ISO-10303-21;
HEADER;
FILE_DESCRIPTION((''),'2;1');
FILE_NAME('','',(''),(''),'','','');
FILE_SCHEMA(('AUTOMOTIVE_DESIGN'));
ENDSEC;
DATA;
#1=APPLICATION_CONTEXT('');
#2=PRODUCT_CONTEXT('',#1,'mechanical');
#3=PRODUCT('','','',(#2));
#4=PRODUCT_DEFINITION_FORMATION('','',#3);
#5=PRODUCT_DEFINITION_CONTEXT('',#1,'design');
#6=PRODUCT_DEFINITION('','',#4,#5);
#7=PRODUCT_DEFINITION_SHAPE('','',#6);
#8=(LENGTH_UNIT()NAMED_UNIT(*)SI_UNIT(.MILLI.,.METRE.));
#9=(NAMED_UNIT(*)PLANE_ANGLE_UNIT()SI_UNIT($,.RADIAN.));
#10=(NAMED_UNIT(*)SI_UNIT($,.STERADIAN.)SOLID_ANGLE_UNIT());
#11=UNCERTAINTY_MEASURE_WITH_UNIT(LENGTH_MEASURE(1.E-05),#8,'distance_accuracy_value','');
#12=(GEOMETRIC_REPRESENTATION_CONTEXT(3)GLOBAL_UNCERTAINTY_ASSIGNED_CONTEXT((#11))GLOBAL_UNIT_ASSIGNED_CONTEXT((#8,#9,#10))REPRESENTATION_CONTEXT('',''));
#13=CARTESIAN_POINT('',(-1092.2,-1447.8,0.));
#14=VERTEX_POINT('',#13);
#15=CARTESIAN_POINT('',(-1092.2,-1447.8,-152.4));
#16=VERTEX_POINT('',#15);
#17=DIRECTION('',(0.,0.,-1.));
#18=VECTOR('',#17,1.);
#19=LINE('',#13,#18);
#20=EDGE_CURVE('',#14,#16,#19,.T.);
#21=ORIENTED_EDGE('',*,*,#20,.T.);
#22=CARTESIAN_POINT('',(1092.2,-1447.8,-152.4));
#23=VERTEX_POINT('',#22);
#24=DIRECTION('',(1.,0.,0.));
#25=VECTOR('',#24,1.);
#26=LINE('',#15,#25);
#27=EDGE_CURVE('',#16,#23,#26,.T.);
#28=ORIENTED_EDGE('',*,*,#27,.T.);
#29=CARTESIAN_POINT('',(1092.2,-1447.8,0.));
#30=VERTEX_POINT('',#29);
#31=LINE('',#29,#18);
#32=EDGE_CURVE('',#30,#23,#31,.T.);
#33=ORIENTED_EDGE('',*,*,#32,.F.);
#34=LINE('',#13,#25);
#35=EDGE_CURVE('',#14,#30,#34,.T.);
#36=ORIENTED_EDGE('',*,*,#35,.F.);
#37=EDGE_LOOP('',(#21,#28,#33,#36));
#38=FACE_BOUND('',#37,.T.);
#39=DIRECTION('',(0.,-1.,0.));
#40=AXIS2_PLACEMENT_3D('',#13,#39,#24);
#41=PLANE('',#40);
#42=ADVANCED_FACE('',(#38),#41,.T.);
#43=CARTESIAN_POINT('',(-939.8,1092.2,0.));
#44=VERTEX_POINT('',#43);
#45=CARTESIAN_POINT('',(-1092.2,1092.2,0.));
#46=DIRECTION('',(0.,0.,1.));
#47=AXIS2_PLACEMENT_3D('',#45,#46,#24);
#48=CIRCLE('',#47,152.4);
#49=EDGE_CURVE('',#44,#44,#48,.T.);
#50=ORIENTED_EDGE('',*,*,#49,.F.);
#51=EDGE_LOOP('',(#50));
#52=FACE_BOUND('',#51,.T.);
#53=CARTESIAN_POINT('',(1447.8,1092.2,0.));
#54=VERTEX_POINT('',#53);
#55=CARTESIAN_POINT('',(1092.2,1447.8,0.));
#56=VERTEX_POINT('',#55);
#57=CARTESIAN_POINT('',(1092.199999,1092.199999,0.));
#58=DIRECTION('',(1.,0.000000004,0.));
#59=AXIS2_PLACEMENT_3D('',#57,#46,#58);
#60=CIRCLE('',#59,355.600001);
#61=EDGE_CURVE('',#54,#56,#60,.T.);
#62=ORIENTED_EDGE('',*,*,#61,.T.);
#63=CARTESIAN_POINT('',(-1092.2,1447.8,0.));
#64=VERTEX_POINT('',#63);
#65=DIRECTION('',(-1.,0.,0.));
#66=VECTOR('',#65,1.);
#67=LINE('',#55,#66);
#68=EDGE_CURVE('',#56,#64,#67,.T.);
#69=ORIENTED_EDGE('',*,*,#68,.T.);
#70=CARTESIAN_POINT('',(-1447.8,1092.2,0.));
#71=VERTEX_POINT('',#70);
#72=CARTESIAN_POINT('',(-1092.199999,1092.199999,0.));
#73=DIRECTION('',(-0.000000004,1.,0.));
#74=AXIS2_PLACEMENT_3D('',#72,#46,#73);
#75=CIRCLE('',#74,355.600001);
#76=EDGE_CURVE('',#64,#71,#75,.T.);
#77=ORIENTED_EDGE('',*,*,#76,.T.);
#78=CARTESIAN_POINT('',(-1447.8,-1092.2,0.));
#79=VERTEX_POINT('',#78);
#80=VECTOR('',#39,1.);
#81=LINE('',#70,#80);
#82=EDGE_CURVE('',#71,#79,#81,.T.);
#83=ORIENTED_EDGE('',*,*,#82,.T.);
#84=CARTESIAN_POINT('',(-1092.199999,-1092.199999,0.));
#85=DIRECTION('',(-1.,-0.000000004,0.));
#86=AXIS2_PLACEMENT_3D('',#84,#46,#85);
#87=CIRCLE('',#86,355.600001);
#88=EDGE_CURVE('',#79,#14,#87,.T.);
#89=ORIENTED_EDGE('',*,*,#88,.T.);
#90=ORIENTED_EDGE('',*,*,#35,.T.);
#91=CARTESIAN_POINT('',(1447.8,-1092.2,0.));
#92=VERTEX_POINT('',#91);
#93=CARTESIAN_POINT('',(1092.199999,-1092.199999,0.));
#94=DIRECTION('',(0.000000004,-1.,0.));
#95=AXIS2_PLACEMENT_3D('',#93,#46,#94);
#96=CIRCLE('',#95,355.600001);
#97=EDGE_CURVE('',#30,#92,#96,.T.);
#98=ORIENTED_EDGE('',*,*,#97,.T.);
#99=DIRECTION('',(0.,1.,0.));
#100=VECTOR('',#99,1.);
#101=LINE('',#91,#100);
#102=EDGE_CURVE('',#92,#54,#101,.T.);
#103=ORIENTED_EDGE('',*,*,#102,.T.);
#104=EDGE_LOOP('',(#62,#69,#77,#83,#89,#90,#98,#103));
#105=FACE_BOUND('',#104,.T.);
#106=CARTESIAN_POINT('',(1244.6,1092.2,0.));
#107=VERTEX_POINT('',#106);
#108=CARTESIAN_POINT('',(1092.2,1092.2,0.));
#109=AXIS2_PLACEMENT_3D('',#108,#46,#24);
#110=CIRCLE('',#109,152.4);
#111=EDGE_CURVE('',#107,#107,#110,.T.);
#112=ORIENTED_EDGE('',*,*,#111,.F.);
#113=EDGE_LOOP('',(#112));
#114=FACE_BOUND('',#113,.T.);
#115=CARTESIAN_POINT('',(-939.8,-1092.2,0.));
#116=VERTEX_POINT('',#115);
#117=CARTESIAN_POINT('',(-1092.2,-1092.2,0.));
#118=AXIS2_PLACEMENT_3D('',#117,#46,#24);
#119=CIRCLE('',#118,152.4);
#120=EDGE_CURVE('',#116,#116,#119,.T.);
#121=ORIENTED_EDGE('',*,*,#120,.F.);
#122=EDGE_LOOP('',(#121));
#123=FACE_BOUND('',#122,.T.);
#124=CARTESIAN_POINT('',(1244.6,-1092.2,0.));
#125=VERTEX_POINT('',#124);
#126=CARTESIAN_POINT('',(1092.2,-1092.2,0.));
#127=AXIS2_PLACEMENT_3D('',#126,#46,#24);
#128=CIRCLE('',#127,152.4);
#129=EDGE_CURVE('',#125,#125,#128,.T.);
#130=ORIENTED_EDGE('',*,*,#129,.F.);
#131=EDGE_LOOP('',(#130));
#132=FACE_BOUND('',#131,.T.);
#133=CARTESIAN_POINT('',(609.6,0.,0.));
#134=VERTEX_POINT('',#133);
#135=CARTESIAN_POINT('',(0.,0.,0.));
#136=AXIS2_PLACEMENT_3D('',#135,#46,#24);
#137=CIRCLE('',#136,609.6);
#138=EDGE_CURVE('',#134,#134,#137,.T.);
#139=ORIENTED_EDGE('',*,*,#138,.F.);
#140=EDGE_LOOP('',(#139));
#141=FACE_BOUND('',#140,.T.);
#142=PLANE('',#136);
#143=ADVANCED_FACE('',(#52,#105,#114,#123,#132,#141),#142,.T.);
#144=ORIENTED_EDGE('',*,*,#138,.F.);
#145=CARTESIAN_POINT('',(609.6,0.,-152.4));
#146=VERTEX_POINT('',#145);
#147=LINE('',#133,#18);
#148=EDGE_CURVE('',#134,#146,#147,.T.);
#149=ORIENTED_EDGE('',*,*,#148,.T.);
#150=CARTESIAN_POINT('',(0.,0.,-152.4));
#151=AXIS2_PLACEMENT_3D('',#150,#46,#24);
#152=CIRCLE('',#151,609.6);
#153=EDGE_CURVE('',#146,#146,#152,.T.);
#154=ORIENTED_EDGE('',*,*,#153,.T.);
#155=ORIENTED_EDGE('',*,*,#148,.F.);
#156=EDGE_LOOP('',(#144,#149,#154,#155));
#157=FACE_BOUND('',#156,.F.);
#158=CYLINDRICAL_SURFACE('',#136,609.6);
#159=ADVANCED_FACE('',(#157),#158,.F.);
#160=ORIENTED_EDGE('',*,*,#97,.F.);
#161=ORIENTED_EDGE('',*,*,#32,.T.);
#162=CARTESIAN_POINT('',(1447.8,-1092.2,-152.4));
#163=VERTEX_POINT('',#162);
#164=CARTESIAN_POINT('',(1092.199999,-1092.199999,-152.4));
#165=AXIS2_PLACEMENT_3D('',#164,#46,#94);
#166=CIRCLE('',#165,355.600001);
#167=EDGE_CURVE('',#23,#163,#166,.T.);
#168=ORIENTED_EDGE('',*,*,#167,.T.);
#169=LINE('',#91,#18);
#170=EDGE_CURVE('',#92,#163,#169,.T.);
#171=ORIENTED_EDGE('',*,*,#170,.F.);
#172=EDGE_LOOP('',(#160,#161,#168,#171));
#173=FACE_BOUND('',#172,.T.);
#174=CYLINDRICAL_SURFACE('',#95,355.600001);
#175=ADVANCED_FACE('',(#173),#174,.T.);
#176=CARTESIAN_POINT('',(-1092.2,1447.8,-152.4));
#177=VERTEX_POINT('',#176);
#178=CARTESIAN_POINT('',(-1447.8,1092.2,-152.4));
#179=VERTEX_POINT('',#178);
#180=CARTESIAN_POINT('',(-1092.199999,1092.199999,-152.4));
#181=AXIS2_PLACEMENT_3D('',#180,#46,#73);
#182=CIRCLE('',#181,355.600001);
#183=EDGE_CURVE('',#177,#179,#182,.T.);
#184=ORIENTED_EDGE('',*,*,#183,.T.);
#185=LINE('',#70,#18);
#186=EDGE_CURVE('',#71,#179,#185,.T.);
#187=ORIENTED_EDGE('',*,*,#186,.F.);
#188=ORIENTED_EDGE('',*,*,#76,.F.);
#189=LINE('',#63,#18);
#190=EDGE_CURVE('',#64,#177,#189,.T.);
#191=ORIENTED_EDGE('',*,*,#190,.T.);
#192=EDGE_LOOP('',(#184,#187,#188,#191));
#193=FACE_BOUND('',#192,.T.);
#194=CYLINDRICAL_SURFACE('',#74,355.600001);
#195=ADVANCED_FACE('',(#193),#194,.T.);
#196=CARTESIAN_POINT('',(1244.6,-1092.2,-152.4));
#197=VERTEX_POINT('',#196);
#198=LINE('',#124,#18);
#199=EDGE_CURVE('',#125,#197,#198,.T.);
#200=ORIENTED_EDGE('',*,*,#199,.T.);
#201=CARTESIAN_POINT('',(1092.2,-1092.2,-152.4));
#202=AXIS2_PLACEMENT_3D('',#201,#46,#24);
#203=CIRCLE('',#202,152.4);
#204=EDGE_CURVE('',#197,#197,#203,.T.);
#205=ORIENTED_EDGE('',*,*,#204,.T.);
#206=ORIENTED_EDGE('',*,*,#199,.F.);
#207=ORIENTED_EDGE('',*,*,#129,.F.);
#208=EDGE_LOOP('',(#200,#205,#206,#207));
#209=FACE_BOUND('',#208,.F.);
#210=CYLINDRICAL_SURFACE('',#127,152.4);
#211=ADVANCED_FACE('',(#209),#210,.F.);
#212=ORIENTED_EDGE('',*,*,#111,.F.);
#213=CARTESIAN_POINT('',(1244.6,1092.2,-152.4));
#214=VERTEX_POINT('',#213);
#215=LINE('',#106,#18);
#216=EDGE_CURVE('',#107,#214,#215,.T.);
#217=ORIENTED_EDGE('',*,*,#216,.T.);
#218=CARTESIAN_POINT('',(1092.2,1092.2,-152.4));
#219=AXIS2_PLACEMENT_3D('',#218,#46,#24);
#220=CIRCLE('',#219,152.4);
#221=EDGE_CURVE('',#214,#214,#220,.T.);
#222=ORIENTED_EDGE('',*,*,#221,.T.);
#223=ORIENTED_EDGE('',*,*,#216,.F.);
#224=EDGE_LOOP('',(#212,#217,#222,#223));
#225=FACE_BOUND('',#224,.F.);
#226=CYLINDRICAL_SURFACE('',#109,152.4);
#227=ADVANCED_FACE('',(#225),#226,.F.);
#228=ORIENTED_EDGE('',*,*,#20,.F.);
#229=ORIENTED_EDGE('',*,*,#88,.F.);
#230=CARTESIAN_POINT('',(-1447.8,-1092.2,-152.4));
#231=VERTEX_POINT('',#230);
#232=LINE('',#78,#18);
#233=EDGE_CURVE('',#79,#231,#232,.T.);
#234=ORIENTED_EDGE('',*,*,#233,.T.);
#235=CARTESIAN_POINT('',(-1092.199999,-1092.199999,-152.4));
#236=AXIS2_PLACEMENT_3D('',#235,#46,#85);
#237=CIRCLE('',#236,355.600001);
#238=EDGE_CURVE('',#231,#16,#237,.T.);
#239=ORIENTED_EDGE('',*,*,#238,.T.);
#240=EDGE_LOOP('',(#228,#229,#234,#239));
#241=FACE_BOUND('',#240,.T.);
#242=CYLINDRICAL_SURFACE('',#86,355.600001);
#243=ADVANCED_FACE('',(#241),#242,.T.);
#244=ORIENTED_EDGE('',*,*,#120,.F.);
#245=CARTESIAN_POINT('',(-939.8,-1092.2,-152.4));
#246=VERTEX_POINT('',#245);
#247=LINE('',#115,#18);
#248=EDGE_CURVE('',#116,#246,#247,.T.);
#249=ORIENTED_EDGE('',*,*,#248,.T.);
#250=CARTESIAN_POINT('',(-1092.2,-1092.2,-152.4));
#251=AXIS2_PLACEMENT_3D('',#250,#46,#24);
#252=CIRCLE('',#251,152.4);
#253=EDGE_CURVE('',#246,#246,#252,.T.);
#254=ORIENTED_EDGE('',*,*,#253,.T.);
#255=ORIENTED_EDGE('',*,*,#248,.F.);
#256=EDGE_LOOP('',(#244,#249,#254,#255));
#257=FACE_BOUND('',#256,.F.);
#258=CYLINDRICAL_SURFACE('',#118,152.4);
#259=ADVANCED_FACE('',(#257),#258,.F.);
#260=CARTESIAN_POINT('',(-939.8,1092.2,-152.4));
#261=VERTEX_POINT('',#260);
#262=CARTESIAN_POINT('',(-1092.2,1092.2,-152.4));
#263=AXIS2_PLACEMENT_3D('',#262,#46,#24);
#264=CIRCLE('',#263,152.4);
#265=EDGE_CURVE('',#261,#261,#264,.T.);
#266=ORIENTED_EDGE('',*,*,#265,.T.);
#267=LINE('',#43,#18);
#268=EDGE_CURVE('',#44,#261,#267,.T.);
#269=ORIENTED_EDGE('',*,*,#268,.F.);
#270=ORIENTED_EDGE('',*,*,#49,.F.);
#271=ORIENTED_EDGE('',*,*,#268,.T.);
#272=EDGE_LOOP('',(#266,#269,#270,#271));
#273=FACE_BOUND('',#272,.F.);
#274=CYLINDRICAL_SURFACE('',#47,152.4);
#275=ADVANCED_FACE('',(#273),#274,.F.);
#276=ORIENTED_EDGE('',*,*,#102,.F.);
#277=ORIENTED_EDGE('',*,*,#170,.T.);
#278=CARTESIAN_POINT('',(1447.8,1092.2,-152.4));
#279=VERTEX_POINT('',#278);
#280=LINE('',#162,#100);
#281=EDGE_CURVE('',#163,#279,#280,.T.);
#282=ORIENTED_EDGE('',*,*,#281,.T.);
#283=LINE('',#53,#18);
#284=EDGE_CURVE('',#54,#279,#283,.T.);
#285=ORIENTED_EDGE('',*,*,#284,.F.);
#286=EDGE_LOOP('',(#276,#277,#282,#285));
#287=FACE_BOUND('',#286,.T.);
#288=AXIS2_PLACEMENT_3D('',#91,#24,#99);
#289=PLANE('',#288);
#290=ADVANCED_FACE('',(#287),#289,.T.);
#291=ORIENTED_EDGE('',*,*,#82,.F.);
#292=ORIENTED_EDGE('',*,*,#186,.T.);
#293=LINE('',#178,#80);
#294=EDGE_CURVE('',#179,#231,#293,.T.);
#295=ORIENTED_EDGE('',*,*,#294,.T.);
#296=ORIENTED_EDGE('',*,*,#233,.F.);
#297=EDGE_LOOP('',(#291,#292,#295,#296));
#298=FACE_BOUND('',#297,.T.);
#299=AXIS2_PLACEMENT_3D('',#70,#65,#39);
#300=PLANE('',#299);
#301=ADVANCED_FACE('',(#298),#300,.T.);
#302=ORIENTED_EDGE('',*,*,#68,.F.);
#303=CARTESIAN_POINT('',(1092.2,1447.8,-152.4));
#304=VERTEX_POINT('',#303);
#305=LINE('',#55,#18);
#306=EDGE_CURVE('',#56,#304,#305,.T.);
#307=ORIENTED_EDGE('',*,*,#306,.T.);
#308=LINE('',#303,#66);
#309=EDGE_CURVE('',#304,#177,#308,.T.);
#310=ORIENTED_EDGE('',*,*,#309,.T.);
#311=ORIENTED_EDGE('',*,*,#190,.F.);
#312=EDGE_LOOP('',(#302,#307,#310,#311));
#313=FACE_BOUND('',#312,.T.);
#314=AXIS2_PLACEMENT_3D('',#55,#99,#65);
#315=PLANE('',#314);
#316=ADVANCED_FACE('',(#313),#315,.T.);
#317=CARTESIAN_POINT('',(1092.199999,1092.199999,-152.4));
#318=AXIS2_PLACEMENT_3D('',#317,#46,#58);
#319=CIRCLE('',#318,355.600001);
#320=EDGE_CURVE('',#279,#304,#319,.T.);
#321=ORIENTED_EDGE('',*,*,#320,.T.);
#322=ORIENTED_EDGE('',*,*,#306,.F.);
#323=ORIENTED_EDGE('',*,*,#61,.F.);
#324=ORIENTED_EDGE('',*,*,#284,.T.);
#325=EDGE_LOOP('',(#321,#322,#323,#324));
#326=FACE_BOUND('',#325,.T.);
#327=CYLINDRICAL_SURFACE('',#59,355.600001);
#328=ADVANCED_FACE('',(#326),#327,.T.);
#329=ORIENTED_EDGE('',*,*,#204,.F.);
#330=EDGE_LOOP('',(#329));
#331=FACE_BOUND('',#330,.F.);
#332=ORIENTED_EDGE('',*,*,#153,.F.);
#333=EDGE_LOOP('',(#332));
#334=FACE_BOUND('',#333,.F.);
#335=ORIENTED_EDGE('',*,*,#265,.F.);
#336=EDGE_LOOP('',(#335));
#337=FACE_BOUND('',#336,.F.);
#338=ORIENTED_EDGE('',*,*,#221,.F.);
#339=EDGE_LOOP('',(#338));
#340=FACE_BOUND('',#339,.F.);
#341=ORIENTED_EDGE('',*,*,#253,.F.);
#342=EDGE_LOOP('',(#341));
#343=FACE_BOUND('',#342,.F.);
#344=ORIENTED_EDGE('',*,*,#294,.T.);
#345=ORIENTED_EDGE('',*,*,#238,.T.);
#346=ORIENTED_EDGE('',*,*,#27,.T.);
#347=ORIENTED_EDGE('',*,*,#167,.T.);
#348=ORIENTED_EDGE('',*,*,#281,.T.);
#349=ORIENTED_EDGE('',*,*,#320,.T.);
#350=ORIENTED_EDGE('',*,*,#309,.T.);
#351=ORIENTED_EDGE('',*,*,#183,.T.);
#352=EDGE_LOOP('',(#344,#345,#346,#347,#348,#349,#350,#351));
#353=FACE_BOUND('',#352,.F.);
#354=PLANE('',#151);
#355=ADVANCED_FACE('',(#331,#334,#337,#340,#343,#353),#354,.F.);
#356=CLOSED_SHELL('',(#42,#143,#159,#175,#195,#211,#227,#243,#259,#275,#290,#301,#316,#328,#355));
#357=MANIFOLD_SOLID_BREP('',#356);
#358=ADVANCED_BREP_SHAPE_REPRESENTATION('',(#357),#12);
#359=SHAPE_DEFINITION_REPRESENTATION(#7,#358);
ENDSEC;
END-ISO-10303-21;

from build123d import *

# Parameters (mm, degrees)
F0_R     = 152.4
F0_R_2   = 609.6
F1_DEPTH = 152.4


with BuildPart() as f1:
    # F0 (on Top) → F1 (new body)
    with BuildSketch(Plane.XY):
        with BuildLine():
            Line((-1092.2, -1447.8), (1092.2, -1447.8))
            ThreePointArc((1092.2, -1447.8), (1343.647171, -1343.647171), (1447.8, -1092.2))
            Line((1447.8, -1092.2), (1447.8, 1092.2))
            ThreePointArc((1447.8, 1092.2), (1343.647171, 1343.647171), (1092.2, 1447.8))
            Line((1092.2, 1447.8), (-1092.2, 1447.8))
            ThreePointArc((-1092.2, 1447.8), (-1343.647171, 1343.647171), (-1447.8, 1092.2))
            Line((-1447.8, 1092.2), (-1447.8, -1092.2))
            ThreePointArc((-1447.8, -1092.2), (-1343.647171, -1343.647171), (-1092.2, -1447.8))
        make_face()
        with Locations((-1092.2, -1092.2)):
            Circle(F0_R, mode=Mode.SUBTRACT)
        with Locations((1092.2, -1092.2)):
            Circle(F0_R, mode=Mode.SUBTRACT)
        with Locations((-1092.2, 1092.2)):
            Circle(F0_R, mode=Mode.SUBTRACT)
        Circle(F0_R_2, mode=Mode.SUBTRACT)
        with Locations((1092.2, 1092.2)):
            Circle(F0_R, mode=Mode.SUBTRACT)
    extrude(amount=-F1_DEPTH)


solid = f1.part
